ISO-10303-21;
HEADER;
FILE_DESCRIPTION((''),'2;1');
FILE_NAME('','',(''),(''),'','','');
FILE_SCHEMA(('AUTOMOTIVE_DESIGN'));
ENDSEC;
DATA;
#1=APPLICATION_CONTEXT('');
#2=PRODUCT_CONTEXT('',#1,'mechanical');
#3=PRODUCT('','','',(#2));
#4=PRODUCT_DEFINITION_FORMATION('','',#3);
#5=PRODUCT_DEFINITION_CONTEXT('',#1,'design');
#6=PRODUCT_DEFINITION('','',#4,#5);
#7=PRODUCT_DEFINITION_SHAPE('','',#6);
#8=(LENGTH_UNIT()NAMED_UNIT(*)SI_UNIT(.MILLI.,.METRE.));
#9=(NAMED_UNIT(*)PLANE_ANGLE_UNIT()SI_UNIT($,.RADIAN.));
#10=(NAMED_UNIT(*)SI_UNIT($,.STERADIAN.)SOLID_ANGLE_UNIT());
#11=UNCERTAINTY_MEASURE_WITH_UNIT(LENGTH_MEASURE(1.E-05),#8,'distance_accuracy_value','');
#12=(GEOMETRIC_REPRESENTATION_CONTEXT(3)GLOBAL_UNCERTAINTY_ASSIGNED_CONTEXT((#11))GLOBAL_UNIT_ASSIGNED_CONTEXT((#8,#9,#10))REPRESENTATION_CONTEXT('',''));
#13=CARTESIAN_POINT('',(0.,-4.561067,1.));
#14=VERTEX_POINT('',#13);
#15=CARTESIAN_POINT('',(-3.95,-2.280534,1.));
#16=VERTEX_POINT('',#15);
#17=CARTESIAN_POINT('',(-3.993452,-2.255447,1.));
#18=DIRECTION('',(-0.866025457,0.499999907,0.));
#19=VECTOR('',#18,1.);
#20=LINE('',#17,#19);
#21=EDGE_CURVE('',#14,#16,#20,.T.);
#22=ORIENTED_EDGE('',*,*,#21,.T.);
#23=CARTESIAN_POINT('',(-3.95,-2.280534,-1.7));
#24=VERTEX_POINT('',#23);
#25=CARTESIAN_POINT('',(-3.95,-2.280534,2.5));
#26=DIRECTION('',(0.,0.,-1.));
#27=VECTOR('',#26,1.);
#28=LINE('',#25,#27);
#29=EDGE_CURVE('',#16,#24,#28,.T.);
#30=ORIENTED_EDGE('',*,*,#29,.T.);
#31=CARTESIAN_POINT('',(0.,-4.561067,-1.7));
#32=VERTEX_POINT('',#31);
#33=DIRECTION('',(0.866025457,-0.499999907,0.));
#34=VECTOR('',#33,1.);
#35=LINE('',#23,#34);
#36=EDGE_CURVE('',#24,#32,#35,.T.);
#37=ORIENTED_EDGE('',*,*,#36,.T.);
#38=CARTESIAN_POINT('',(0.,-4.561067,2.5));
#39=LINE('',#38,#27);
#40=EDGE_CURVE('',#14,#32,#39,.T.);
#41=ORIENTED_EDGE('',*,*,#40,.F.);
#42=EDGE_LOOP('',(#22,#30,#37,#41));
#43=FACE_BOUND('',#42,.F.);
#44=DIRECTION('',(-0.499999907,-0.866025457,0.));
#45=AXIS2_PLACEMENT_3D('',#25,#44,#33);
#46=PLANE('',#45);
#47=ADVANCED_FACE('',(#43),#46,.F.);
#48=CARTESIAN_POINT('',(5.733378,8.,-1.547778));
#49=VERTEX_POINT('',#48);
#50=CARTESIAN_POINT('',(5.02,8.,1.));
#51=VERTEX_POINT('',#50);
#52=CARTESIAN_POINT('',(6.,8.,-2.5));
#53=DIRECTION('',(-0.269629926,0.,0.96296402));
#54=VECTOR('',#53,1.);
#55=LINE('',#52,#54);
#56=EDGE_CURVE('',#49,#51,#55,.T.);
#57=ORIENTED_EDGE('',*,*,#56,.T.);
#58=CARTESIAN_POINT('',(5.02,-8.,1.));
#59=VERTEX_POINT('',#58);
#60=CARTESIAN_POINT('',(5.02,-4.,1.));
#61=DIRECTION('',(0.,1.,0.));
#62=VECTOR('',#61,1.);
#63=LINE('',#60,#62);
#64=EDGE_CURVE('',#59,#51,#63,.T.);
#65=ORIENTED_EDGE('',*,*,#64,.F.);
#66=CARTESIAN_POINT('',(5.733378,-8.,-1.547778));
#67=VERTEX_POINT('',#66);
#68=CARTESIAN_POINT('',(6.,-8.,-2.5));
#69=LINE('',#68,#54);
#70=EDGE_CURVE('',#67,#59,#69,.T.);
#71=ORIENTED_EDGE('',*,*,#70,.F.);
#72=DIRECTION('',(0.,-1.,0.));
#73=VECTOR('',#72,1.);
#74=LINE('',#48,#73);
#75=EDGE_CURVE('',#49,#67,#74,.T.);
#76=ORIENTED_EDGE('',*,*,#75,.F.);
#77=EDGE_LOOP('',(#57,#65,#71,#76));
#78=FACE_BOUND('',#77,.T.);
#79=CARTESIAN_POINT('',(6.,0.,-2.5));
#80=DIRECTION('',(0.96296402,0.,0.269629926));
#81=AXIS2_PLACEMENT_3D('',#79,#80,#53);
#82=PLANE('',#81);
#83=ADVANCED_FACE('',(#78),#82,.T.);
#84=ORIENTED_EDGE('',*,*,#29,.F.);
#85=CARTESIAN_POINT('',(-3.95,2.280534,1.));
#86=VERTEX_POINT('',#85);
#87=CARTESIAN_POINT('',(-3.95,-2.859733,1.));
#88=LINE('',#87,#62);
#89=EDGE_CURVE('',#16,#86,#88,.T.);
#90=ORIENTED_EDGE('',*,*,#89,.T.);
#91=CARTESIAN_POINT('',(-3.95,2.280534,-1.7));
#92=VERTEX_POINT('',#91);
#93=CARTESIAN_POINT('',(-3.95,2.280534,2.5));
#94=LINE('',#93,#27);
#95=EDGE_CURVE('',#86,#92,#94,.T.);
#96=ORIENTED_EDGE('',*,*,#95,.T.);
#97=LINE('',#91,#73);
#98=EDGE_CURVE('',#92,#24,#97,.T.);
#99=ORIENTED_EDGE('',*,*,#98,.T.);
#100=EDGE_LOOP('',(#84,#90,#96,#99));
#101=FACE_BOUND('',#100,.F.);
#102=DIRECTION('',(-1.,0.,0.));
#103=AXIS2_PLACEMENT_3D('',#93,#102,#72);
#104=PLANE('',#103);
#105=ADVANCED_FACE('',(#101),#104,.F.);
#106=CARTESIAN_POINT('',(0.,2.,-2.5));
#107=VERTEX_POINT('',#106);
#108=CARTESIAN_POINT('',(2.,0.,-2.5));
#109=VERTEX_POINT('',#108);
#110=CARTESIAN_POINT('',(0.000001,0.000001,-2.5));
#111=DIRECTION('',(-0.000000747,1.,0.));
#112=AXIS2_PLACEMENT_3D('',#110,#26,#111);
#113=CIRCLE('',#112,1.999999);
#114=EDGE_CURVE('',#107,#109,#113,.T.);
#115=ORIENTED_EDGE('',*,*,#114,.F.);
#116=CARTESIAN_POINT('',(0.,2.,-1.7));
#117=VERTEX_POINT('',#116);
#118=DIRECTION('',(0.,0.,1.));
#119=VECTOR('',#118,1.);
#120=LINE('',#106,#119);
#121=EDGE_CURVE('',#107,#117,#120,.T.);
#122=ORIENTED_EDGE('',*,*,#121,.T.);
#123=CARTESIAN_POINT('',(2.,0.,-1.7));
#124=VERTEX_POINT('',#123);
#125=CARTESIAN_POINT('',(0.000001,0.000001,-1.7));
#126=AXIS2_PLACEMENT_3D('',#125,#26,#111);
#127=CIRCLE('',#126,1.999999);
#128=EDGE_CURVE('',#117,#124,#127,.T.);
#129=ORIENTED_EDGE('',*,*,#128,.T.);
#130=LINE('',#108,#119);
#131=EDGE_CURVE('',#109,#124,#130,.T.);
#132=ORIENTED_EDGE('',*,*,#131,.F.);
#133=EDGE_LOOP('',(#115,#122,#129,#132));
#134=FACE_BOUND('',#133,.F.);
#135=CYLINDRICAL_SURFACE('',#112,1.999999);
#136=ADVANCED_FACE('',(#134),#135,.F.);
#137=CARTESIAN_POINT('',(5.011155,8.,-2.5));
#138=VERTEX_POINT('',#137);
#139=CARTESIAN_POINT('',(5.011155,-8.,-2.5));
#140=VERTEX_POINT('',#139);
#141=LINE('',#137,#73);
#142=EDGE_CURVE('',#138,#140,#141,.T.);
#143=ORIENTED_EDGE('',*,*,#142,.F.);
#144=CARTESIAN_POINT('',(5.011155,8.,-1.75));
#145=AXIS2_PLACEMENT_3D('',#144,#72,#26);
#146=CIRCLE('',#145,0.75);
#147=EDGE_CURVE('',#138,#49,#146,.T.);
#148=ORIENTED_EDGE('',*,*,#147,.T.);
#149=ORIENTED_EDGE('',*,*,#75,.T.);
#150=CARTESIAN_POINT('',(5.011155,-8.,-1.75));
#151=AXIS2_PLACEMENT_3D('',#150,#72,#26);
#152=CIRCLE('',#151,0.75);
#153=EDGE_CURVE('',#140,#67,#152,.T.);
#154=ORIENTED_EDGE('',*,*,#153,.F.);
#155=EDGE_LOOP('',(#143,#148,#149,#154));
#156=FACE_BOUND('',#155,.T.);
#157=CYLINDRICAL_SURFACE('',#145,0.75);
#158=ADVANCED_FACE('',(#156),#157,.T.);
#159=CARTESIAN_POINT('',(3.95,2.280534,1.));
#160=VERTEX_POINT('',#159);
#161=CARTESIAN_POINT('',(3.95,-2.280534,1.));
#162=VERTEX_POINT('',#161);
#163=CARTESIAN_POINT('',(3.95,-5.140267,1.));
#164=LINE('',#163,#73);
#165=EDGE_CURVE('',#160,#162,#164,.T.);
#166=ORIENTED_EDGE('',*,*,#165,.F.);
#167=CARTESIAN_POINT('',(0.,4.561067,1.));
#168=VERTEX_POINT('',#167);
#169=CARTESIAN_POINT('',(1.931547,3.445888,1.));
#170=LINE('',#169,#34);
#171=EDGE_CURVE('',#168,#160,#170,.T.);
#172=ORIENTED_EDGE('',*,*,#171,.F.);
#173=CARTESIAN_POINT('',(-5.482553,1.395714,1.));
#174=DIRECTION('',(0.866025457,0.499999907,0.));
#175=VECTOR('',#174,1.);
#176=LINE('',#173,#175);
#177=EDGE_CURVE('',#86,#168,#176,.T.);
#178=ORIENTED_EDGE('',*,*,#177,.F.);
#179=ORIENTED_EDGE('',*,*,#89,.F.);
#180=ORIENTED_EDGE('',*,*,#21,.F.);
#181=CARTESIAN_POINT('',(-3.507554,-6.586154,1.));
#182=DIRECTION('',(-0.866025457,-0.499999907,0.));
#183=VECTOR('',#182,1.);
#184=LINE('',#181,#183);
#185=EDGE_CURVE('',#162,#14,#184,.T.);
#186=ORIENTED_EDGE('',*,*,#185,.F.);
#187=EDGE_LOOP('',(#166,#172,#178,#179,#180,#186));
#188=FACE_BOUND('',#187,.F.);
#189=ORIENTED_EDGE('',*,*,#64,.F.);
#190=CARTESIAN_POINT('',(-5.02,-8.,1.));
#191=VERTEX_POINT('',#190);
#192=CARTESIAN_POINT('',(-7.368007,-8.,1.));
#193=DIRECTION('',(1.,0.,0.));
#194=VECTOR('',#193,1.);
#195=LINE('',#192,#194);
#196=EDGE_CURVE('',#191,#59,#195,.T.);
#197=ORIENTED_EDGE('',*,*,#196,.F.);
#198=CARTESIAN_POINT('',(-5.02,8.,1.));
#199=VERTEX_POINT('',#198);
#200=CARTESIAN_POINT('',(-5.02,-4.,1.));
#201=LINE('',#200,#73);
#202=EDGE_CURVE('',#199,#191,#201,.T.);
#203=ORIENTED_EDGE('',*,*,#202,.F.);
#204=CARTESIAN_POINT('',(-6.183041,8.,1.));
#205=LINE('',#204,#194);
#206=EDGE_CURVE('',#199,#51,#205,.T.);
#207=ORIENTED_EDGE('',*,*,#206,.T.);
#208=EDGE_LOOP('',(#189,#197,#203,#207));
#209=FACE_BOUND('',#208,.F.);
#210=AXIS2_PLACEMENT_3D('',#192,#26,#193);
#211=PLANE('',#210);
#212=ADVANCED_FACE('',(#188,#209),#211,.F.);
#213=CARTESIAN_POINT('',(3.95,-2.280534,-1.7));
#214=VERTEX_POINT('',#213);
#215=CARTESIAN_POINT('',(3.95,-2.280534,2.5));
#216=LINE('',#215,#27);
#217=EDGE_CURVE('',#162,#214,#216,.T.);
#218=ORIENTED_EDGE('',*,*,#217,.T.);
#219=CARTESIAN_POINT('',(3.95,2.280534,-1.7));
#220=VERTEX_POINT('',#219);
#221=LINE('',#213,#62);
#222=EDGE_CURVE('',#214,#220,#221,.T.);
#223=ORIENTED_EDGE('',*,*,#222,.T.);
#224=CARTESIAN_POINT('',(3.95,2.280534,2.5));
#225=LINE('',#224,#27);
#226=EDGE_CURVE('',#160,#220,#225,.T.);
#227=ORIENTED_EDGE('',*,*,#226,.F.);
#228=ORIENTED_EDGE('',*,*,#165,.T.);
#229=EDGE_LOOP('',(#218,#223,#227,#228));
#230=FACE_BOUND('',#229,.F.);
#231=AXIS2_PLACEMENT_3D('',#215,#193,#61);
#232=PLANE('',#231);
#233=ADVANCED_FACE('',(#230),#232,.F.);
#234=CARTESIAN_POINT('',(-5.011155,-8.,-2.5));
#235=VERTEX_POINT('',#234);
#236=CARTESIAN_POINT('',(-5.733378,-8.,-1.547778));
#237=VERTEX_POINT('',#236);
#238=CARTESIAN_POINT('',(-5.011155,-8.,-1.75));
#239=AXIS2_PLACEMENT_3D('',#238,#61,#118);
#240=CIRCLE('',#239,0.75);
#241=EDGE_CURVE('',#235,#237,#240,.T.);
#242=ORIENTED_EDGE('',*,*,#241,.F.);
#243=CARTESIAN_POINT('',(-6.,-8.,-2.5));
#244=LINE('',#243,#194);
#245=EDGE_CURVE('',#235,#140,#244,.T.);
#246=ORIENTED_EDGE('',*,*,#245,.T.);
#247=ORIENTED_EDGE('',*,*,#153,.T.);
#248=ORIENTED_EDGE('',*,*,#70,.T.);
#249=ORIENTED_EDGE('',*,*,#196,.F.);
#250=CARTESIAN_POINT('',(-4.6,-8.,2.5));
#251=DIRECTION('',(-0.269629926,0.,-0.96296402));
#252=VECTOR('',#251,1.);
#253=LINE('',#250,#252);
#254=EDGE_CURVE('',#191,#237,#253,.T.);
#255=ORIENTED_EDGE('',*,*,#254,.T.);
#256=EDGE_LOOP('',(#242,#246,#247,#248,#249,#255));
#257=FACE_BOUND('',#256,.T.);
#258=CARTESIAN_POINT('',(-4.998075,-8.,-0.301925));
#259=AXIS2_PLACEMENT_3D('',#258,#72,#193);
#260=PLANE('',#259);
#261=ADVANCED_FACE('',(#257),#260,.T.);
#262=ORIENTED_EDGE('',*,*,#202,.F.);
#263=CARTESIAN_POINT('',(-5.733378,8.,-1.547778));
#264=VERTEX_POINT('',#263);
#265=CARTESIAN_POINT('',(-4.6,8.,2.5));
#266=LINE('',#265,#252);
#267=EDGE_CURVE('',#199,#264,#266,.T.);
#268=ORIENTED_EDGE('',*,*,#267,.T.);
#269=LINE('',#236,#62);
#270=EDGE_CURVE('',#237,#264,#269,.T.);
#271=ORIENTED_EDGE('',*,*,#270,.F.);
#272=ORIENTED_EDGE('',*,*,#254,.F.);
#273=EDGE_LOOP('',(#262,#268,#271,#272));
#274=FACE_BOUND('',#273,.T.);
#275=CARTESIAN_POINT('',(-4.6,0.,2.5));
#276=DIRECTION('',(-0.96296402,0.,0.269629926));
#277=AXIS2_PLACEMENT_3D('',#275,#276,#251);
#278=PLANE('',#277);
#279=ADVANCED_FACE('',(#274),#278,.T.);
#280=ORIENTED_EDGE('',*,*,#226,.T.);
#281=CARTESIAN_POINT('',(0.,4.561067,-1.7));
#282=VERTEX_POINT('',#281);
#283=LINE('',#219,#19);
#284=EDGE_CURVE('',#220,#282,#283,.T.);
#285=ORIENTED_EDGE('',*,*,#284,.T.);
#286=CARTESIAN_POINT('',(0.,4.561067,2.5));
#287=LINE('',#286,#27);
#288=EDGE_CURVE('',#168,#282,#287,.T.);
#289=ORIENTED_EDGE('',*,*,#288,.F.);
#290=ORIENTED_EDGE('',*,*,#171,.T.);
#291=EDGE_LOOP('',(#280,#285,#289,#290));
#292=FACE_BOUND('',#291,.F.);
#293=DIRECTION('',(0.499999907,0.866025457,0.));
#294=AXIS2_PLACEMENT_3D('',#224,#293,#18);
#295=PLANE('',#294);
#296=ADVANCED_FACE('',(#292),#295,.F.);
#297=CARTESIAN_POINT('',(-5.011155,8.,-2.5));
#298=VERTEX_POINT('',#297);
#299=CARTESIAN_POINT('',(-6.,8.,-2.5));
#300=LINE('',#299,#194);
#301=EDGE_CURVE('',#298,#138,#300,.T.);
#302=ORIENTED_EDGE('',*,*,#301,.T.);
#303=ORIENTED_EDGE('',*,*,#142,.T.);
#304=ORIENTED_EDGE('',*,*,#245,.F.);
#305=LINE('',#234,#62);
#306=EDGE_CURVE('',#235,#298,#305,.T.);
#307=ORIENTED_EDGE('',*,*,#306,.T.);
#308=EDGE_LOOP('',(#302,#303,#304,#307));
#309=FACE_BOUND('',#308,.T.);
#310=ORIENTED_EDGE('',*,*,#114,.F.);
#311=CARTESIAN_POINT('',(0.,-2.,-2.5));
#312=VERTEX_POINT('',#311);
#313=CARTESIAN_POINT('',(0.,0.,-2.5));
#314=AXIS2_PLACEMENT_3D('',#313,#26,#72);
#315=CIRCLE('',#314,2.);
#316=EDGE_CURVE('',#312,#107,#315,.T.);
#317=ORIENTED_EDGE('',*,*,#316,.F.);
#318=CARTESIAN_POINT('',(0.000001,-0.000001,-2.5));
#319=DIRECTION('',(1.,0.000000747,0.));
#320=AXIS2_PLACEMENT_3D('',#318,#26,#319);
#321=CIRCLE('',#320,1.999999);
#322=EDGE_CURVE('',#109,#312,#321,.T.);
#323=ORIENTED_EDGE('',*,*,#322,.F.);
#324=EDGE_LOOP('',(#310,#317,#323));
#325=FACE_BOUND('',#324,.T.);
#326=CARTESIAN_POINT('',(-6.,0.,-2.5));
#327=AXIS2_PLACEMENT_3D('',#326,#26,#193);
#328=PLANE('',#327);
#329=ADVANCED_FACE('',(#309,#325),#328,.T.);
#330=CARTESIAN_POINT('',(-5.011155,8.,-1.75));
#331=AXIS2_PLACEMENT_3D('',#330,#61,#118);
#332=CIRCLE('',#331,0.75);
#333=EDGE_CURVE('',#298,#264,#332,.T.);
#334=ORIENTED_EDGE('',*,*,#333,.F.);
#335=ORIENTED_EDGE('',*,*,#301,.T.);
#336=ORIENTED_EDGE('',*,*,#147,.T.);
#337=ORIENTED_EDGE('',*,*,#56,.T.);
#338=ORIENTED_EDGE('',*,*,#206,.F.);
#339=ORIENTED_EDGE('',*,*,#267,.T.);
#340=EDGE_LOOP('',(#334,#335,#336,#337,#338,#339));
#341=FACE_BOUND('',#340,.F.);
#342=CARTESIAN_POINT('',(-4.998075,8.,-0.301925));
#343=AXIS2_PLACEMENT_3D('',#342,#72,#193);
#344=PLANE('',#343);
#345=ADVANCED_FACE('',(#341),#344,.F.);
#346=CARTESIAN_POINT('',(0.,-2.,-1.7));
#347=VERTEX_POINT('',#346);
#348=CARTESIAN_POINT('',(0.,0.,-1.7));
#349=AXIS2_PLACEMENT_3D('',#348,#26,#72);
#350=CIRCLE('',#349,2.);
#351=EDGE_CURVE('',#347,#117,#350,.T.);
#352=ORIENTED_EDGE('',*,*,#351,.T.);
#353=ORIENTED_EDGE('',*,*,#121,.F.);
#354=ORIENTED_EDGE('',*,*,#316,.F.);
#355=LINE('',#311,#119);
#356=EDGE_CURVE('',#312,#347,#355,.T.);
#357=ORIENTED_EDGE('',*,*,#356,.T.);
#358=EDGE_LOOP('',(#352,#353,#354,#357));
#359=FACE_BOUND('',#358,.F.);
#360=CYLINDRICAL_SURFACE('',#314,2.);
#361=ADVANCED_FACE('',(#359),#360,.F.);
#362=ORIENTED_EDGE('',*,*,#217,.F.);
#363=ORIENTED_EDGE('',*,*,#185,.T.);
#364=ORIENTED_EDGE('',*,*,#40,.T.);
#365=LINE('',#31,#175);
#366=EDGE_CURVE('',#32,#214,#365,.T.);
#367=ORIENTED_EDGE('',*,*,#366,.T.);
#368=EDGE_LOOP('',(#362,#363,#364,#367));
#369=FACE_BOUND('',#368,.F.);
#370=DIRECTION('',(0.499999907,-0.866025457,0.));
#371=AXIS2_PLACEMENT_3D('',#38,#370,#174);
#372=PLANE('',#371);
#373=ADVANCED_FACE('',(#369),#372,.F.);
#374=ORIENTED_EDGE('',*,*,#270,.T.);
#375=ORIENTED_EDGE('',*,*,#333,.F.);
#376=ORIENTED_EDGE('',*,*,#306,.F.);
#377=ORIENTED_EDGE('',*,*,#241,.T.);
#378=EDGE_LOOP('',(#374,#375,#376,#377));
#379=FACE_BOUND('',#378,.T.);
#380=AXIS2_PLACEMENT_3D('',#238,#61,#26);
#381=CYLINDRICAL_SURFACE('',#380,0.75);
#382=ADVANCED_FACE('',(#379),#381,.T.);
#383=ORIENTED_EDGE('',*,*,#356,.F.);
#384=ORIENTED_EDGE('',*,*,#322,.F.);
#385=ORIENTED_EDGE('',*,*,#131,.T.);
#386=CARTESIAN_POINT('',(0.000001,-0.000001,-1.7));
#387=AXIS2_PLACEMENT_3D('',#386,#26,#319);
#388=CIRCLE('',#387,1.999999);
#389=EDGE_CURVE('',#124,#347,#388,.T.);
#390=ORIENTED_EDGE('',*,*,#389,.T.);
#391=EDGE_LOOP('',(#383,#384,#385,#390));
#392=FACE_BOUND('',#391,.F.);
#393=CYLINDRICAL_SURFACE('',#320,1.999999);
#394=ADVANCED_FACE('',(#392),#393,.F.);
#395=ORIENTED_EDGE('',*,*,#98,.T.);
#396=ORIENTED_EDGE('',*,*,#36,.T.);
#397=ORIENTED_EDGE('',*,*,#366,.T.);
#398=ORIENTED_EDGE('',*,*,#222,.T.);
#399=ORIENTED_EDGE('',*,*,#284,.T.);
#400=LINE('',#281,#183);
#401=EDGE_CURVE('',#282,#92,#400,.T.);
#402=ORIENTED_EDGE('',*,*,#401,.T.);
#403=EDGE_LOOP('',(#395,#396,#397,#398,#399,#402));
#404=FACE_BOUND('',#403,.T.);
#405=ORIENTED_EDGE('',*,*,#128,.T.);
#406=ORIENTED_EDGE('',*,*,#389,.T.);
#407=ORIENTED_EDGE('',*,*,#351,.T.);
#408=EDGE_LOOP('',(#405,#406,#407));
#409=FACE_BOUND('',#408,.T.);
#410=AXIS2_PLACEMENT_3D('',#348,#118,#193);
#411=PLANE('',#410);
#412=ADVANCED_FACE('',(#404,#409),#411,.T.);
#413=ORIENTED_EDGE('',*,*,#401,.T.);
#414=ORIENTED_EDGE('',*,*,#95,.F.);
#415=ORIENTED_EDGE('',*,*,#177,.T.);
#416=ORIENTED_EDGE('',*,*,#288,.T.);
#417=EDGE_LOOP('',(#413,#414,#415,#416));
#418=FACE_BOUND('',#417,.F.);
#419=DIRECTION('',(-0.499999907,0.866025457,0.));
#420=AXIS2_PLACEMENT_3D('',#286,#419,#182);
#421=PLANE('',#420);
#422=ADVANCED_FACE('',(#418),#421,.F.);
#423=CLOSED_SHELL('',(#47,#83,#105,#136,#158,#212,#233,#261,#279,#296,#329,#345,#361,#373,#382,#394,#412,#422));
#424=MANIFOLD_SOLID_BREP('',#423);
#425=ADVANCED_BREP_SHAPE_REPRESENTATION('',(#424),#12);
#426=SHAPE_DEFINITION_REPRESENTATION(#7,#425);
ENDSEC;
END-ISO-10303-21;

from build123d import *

# Parameters (mm, degrees)
F0_W     = 9.2
F0_H     = 5
F1_DEPTH = 8
F3_R     = 0.75
F6_DEPTH = 30
F7_DEPTH = 4.2
F8_DEPTH = 25


with BuildPart() as f1:
    # F0 (on Front) → F1 (new body, symmetric)
    with BuildSketch(Plane.XZ):
        Polygon((-6, -2.5), (-4.6, -2.5), (-4.6, 2.5), align=None)
        Rectangle(F0_W, F0_H)
        Polygon((4.6, -2.5), (6, -2.5), (4.6, 2.5), align=None)
    extrude(amount=F1_DEPTH, both=True)

    # F3
    f3_edges = [f1.edges().sort_by_distance(p)[0] for p in [
        (-4.6, 0, 2.5),
        (4.6, 0, 2.5),
        (6, 0, -2.5),
        (-6, 0, -2.5),
    ]]
    fillet(f3_edges, radius=F3_R)

    # F5 (on face) → F6 (cut)
    with BuildSketch(Plane.XZ.offset(8)):
        with BuildLine():
            Line((7.368007, 1), (7.368007, 4))
            Line((7.368007, 4), (-7.368007, 4))
            Line((-7.368007, 4), (-7.368007, 1))
            Line((-7.368007, 1), (-5.02, 1))
            Line((-5.02, 1), (-4.753378, 1.952222))
            ThreePointArc((-4.753378, 1.952222), (-4.484384, 2.347565), (-4.031155, 2.5))
            Line((-4.031155, 2.5), (4.031155, 2.5))
            ThreePointArc((4.031155, 2.5), (4.484384, 2.347565), (4.753378, 1.952222))
            Line((4.753378, 1.952222), (5.02, 1))
            Line((5.02, 1), (7.368007, 1))
        make_face()
        with BuildLine():
            Line((-5.02, 1), (5.02, 1))
            Line((5.02, 1), (4.753378, 1.952222))
            ThreePointArc((4.753378, 1.952222), (4.484384, 2.347565), (4.031155, 2.5))
            Line((4.031155, 2.5), (-4.031155, 2.5))
            ThreePointArc((-4.031155, 2.5), (-4.484384, 2.347565), (-4.753378, 1.952222))
            Line((-4.753378, 1.952222), (-5.02, 1))
        make_face()
    extrude(amount=-F6_DEPTH, mode=Mode.SUBTRACT)

    # F4 (on face) → F7 (cut)
    with BuildSketch(Plane.XY.offset(2.5)):
        Polygon((3.95, -2.280534), (3.95, 2.280534), (0, 4.561067), (-3.95, 2.280534), (-3.95, -2.280534), (0, -4.561067), align=None)
    extrude(amount=-F7_DEPTH, mode=Mode.SUBTRACT)

    # F2 (on face) → F8 (cut)
    with BuildSketch(Plane(origin=(0, 0, -2.5), x_dir=(1, 0, 0), z_dir=(0, 0, -1))):
        with BuildLine():
            Line((0, -2), (0, 0))
            Line((0, 0), (0, 2))
            ThreePointArc((0, 2), (-2, 0), (0, -2))
        make_face()
        with BuildLine():
            Line((0, 2), (0, 0))
            Line((0, 0), (0, -2))
            ThreePointArc((0, -2), (1.414214, -1.414214), (2, 0))
            ThreePointArc((2, 0), (1.414214, 1.414214), (0, 2))
        make_face()
    extrude(amount=-F8_DEPTH, mode=Mode.SUBTRACT)


solid = f1.part
